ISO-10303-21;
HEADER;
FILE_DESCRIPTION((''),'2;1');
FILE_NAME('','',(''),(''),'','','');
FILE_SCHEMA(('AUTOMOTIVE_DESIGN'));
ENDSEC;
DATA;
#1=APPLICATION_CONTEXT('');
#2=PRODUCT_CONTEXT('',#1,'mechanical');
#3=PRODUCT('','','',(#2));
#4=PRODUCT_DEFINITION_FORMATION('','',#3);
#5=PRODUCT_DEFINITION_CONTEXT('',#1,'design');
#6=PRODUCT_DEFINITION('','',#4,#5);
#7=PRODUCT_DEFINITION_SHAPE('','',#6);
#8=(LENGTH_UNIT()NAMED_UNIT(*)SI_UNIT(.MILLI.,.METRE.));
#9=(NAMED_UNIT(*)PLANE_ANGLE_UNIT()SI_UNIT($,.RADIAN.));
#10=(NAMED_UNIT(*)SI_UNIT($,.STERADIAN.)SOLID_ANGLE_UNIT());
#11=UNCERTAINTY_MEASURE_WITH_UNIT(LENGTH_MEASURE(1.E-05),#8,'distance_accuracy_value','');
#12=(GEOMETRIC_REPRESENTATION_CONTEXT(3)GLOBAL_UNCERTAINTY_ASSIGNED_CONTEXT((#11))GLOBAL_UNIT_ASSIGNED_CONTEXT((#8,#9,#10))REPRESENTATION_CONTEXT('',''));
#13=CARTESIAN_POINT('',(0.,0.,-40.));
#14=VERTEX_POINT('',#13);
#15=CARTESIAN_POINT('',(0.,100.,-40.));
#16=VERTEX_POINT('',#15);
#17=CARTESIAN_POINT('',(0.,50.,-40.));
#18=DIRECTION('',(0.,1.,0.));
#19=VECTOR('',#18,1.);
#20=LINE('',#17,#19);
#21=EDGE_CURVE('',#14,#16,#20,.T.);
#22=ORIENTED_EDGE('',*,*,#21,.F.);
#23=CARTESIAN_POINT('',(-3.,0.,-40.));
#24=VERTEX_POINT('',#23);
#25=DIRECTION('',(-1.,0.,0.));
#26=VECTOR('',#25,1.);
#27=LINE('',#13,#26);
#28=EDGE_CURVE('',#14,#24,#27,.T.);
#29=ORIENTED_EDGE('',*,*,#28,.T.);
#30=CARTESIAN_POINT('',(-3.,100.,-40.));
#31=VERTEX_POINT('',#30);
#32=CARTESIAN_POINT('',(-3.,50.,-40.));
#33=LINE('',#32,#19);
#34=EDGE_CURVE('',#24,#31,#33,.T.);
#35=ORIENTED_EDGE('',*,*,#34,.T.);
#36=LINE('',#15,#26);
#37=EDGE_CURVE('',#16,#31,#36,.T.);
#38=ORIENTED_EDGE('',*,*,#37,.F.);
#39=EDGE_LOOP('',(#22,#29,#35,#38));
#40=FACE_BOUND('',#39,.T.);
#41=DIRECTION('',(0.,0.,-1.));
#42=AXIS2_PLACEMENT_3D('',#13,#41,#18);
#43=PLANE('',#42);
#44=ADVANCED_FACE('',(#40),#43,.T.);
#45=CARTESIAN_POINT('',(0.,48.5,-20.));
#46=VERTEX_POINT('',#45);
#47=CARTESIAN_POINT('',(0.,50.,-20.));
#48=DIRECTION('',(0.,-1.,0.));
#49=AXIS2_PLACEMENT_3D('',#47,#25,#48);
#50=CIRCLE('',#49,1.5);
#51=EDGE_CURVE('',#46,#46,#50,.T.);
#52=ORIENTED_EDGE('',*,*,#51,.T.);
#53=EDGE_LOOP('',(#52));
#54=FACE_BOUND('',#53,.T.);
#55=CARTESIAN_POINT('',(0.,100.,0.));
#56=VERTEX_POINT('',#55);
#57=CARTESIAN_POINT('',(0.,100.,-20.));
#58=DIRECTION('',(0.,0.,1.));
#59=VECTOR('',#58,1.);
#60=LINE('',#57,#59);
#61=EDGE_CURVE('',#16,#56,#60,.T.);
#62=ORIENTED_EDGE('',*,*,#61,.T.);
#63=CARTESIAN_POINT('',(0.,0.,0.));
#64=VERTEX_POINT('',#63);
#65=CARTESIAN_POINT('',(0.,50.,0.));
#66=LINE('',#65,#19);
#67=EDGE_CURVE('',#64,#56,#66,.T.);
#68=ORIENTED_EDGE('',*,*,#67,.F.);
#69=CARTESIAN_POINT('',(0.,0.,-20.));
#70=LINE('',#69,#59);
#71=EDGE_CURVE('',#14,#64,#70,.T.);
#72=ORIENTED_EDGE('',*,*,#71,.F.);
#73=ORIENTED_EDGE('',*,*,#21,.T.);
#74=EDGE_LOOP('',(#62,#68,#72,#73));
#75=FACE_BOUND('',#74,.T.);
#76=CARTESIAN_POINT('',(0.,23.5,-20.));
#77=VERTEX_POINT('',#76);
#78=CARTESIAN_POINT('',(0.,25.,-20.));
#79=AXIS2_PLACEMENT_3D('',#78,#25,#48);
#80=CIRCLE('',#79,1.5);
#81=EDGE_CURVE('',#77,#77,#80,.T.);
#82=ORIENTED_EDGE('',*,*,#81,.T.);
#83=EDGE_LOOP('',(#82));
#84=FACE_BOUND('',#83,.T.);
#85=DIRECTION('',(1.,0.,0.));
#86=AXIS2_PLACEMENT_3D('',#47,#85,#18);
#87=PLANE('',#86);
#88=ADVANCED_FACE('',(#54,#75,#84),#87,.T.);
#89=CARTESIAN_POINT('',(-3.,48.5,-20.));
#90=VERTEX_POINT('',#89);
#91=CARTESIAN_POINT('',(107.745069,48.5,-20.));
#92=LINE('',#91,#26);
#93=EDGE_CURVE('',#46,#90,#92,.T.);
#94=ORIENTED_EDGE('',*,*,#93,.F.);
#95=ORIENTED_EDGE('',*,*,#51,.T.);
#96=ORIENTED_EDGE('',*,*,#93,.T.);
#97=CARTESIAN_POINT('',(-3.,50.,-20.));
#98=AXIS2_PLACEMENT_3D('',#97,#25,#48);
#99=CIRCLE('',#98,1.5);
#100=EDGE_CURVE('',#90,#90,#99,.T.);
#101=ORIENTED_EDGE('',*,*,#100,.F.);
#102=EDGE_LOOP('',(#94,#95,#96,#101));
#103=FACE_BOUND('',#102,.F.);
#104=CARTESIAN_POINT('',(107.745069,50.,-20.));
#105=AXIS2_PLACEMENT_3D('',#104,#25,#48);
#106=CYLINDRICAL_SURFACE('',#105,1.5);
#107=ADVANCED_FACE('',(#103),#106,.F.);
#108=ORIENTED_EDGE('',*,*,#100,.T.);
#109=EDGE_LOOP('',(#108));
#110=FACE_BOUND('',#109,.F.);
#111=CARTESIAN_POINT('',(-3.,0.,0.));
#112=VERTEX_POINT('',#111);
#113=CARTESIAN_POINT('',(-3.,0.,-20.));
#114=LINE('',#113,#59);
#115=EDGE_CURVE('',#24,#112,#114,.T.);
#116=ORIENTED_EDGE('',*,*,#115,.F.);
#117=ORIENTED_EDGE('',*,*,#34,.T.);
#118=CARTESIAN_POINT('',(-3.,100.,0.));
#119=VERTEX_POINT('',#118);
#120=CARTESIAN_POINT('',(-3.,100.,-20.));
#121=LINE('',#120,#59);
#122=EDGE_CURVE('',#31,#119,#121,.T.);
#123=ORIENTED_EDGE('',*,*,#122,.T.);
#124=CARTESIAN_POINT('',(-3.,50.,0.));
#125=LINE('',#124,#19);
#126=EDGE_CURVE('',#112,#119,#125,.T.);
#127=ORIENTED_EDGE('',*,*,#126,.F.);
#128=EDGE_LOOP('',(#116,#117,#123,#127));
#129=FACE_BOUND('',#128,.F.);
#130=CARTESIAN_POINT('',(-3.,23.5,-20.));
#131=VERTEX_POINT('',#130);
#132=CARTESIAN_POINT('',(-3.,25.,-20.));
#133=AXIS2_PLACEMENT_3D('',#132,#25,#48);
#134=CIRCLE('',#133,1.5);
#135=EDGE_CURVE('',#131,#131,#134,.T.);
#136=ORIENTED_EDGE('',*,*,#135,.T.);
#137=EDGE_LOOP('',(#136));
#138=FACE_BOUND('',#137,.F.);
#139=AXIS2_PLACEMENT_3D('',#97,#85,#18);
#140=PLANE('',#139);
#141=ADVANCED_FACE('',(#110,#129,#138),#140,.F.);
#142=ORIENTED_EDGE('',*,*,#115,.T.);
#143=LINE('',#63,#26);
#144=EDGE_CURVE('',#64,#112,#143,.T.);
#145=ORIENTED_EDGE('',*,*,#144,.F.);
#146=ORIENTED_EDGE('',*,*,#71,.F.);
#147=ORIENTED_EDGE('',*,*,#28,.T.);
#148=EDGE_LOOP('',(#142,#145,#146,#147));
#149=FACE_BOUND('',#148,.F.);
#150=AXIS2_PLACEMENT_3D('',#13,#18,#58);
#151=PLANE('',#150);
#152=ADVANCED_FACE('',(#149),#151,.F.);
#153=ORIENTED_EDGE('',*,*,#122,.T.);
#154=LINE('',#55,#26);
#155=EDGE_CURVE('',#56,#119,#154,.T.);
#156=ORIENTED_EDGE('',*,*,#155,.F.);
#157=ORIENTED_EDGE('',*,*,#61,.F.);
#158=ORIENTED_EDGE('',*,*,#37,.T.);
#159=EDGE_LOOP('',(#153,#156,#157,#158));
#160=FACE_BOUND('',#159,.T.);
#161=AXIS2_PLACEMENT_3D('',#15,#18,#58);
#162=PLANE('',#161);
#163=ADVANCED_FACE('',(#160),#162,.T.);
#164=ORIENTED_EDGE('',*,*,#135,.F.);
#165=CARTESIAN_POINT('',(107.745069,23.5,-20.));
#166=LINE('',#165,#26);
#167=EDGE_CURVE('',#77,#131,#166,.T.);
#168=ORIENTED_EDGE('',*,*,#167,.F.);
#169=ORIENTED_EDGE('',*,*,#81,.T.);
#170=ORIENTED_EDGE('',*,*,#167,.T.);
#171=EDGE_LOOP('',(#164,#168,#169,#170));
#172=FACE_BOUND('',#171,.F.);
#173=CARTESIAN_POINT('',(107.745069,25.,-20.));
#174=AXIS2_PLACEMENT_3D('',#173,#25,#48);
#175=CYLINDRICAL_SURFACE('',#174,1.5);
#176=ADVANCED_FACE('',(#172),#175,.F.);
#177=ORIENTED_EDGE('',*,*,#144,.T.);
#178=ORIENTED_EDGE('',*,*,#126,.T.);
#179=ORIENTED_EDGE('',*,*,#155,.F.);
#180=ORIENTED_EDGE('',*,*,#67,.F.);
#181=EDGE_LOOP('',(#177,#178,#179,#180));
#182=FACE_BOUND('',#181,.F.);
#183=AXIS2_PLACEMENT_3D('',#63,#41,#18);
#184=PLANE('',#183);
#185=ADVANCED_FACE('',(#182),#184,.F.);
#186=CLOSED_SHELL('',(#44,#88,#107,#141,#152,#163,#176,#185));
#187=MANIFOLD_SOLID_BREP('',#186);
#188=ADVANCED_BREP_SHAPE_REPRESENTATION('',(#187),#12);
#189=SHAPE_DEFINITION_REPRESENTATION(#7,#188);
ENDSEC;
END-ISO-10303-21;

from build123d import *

# Parameters (mm, degrees)
F0_W     = 100
F0_H     = 40
F1_DEPTH = 3
F3_D     = 3


with BuildPart() as f1:
    # F0 (on Right) → F1 (new body)
    with BuildSketch(Plane.YZ):
        with Locations((50, -20)):
            Rectangle(F0_W, F0_H)
    extrude(amount=-F1_DEPTH)

    # F3 (through all)
    with Locations(Plane.YZ):
        with Locations((50, -20), (25, -20)):
            Hole(F3_D / 2)


solid = f1.part
